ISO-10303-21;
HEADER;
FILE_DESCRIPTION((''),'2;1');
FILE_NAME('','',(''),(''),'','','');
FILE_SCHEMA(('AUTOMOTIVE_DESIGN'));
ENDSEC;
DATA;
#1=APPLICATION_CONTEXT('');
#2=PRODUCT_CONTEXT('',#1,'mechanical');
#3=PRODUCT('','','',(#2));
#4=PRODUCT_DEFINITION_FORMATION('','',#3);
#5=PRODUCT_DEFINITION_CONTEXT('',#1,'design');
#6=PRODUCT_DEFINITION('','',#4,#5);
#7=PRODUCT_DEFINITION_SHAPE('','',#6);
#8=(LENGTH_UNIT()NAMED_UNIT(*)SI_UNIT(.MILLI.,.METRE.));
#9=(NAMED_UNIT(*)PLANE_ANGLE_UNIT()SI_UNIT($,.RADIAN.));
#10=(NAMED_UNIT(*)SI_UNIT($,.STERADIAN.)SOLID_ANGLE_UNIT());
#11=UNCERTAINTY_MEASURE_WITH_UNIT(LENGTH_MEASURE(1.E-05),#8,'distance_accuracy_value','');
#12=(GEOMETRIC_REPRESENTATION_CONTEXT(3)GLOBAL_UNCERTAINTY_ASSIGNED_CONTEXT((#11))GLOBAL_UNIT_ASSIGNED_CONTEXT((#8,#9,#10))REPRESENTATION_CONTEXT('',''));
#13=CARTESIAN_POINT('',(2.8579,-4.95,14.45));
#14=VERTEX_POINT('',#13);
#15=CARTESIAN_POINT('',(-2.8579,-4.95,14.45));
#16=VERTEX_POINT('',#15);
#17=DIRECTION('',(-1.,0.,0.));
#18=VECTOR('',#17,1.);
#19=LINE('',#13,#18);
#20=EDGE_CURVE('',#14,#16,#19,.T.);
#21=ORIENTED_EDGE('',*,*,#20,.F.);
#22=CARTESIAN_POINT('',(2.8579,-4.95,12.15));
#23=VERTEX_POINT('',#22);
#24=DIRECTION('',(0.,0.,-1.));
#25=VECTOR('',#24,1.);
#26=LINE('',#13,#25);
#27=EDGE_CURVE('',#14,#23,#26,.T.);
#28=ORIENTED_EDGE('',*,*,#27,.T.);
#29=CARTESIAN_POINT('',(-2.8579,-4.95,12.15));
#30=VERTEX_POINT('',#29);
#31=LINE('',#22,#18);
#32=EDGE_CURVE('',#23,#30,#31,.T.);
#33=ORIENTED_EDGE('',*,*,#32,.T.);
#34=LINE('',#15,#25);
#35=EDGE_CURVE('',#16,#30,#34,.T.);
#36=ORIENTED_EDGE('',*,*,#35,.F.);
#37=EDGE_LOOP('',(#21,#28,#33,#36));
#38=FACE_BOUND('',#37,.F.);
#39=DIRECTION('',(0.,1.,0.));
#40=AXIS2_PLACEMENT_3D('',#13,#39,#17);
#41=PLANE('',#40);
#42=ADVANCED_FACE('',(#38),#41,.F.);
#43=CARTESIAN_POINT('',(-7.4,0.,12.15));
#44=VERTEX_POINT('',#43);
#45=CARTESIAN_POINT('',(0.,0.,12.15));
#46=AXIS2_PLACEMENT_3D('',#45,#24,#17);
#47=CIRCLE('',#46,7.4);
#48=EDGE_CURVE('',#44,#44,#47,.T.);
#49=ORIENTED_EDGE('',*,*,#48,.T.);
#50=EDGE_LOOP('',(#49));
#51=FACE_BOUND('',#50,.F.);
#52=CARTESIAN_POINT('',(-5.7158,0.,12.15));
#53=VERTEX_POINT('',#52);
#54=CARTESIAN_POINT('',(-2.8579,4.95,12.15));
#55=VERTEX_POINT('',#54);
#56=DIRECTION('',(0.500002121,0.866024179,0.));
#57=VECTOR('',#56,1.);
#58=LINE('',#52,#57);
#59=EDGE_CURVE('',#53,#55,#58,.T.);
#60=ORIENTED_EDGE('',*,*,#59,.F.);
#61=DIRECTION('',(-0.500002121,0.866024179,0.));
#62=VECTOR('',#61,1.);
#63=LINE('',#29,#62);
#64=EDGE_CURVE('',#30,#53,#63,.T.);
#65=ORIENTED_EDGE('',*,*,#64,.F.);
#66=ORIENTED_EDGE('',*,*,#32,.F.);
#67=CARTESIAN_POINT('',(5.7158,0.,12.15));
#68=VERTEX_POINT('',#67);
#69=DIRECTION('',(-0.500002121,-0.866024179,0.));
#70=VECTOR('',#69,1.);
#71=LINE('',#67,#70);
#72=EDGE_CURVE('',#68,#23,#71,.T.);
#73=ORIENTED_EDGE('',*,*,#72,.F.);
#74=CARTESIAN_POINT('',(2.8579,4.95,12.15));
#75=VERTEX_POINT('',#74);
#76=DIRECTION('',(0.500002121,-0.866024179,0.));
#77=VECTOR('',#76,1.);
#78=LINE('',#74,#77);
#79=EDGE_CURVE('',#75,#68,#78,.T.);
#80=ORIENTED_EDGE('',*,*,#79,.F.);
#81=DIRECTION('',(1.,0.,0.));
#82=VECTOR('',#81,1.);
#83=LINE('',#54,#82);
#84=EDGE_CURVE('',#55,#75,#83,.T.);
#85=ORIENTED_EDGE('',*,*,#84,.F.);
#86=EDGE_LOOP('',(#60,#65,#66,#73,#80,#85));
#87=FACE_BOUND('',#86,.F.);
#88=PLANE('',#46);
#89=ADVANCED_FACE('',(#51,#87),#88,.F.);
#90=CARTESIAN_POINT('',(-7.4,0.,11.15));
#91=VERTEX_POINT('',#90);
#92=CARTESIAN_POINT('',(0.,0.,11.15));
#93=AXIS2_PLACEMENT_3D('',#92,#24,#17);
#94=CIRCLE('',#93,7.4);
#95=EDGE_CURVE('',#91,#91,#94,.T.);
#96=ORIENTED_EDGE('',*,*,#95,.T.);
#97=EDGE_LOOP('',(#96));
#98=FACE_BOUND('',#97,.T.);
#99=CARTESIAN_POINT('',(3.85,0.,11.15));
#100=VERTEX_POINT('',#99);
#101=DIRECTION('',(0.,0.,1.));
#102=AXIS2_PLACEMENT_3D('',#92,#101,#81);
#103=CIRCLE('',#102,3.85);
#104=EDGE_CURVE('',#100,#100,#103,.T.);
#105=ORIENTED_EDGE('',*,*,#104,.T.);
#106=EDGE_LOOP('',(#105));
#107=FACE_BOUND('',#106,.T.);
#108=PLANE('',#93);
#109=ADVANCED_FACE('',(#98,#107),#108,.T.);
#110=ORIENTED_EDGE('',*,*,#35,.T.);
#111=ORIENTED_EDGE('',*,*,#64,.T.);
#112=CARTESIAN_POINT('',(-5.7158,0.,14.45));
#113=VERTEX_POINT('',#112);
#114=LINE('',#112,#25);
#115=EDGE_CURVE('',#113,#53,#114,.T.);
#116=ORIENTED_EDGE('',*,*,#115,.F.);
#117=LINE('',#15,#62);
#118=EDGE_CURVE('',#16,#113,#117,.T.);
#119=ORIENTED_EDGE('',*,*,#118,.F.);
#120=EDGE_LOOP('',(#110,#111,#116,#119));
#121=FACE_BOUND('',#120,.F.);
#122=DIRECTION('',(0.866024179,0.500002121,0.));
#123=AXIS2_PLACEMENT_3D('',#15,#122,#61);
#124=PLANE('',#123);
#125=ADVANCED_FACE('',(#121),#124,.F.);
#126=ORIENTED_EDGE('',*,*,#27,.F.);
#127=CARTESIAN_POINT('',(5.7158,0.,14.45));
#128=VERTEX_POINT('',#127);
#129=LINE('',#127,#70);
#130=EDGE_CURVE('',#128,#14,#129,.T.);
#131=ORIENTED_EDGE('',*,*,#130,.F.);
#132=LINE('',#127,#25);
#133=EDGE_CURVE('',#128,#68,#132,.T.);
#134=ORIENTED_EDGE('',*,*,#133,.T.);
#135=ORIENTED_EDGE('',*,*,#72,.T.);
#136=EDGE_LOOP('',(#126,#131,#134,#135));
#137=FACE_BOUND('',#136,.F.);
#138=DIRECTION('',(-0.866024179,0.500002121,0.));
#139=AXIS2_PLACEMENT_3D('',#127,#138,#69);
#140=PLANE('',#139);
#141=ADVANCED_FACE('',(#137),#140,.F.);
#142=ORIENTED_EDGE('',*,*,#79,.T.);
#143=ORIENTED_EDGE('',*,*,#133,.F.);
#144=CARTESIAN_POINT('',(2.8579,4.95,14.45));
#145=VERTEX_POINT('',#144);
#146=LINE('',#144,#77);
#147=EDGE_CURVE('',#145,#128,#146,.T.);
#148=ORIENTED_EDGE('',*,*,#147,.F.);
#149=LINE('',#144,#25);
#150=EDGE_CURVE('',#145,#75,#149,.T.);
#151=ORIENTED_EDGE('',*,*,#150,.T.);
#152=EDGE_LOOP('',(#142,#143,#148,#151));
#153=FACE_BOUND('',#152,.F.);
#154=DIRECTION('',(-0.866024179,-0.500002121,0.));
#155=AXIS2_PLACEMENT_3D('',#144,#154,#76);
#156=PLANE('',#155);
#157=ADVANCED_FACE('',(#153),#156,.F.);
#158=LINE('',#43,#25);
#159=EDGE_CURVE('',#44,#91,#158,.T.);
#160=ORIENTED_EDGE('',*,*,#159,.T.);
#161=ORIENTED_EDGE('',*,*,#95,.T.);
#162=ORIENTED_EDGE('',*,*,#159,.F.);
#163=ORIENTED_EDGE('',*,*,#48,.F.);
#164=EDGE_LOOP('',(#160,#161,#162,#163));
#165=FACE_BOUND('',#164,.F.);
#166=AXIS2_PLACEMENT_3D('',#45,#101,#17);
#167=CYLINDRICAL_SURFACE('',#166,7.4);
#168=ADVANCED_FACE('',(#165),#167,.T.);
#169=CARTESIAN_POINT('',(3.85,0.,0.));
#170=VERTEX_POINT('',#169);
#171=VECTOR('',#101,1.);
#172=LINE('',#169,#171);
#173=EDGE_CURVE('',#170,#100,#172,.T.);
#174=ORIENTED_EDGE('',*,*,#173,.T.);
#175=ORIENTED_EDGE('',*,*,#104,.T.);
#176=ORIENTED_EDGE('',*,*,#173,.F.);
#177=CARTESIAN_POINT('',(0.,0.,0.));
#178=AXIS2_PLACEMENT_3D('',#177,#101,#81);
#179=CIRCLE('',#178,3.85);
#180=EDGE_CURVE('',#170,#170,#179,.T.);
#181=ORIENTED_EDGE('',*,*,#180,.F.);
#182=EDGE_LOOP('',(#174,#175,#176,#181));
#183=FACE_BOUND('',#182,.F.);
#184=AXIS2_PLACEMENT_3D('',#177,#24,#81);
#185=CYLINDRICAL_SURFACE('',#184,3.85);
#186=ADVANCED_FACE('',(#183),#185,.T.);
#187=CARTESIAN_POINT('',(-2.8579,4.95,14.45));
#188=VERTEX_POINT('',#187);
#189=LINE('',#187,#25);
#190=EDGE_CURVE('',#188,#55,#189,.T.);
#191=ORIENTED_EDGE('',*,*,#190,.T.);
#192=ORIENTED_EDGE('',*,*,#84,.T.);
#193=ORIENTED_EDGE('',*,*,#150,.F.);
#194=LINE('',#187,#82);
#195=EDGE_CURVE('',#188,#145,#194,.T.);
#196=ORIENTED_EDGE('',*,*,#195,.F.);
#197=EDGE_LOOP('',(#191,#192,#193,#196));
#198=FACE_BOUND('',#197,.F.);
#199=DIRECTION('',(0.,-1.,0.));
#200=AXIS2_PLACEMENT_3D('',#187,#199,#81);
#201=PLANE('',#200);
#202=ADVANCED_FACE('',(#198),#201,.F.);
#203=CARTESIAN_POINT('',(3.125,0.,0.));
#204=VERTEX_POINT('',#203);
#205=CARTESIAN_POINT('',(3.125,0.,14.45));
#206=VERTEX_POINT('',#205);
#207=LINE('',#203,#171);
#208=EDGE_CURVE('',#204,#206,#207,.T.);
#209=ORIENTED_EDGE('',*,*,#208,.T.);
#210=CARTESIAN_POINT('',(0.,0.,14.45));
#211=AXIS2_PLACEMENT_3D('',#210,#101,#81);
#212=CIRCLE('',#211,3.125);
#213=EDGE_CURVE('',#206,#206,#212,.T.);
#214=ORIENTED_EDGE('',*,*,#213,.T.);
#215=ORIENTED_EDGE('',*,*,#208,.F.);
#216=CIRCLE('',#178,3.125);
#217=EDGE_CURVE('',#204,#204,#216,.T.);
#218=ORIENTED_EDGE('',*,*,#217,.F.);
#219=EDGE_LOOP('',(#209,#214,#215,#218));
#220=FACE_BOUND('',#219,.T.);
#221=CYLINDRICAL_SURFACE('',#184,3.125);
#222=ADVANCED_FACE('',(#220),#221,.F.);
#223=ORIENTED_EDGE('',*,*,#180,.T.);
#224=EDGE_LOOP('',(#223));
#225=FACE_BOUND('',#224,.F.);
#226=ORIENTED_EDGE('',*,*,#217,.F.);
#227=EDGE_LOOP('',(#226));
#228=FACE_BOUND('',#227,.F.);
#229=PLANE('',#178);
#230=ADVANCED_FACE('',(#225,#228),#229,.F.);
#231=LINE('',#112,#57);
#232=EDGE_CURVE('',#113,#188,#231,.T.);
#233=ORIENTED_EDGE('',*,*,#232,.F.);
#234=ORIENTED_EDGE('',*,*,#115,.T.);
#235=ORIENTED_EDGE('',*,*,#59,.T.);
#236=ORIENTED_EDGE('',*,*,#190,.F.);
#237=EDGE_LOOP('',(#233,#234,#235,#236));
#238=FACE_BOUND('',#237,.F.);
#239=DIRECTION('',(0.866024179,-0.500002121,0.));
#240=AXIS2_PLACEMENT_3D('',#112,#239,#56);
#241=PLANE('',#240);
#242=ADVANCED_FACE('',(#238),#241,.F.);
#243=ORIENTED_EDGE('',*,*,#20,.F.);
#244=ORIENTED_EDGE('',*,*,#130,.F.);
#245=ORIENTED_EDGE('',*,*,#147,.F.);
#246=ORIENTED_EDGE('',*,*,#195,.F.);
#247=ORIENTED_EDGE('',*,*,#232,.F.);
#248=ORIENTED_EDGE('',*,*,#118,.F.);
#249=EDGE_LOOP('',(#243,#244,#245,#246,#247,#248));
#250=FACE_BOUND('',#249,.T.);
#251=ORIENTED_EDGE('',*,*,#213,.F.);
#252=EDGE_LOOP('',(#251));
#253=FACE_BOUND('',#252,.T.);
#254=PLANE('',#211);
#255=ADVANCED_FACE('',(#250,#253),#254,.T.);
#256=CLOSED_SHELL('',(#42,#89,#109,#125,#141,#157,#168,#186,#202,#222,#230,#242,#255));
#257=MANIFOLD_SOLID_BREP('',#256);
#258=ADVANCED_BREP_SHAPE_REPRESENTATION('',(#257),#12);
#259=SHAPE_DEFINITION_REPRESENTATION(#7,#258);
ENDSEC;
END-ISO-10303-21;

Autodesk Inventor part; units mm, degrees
ref_plane "YZ Plane" through (0, 0, 0) normal (1, 0, 0) x (0, 1, 0)
ref_plane "XZ Plane" through (0, 0, 0) normal (0, 1, 0) x (-1, 0, 0)
ref_plane "XY Plane" through (0, 0, 0) normal (0, 0, 1) x (1, 0, 0)
sketch "Sketch1" plane through (0, 0, 0) normal (0, 0, 1) x (1, 0, 0)
  circle A0 centre (0, 0) radius 3.85
  circle A1 centre (0, 0) radius 3.125
  dimension "d0" = 7.7
  dimension "d2" = 6.25
extrude "Extrusion1" add sketch "Sketch1" along normal blind 14.45
sketch "Sketch2" plane through (0, 0, 14.45) normal (0, 0, 1) x (1, 0, 0)
  circle A0 centre (0, 0) radius 3.85 projected
  line L0 (-2.8579, 4.95) -> (2.8579, 4.95)
  line L1 (2.8579, 4.95) -> (5.7158, 0)
  line L2 (5.7158, 0) -> (2.8579, -4.95)
  line L3 (2.8579, -4.95) -> (-2.8579, -4.95)
  line L4 (-2.8579, -4.95) -> (-5.7158, 0)
  line L5 (-5.7158, 0) -> (-2.8579, 4.95)
  dimension "d5" = 9.9
extrude "Extrusion2" add sketch "Sketch2" against normal blind 2.3
sketch "Sketch3" plane through (0, 0, 12.15) normal (0, 0, -1) x (-1, 0, 0)
  circle A0 centre (0, 0) radius 3.85 projected
  circle A1 centre (0, 0) radius 7.4
  dimension "d8" = 14.8
extrude "Extrusion3" add sketch "Sketch3" along normal blind 1
thread "Thread1" size "M8x1.25" class "6g" standard "ANSI Metric M Profile" full length
properties part number "TUNING PEG RETAINER"
